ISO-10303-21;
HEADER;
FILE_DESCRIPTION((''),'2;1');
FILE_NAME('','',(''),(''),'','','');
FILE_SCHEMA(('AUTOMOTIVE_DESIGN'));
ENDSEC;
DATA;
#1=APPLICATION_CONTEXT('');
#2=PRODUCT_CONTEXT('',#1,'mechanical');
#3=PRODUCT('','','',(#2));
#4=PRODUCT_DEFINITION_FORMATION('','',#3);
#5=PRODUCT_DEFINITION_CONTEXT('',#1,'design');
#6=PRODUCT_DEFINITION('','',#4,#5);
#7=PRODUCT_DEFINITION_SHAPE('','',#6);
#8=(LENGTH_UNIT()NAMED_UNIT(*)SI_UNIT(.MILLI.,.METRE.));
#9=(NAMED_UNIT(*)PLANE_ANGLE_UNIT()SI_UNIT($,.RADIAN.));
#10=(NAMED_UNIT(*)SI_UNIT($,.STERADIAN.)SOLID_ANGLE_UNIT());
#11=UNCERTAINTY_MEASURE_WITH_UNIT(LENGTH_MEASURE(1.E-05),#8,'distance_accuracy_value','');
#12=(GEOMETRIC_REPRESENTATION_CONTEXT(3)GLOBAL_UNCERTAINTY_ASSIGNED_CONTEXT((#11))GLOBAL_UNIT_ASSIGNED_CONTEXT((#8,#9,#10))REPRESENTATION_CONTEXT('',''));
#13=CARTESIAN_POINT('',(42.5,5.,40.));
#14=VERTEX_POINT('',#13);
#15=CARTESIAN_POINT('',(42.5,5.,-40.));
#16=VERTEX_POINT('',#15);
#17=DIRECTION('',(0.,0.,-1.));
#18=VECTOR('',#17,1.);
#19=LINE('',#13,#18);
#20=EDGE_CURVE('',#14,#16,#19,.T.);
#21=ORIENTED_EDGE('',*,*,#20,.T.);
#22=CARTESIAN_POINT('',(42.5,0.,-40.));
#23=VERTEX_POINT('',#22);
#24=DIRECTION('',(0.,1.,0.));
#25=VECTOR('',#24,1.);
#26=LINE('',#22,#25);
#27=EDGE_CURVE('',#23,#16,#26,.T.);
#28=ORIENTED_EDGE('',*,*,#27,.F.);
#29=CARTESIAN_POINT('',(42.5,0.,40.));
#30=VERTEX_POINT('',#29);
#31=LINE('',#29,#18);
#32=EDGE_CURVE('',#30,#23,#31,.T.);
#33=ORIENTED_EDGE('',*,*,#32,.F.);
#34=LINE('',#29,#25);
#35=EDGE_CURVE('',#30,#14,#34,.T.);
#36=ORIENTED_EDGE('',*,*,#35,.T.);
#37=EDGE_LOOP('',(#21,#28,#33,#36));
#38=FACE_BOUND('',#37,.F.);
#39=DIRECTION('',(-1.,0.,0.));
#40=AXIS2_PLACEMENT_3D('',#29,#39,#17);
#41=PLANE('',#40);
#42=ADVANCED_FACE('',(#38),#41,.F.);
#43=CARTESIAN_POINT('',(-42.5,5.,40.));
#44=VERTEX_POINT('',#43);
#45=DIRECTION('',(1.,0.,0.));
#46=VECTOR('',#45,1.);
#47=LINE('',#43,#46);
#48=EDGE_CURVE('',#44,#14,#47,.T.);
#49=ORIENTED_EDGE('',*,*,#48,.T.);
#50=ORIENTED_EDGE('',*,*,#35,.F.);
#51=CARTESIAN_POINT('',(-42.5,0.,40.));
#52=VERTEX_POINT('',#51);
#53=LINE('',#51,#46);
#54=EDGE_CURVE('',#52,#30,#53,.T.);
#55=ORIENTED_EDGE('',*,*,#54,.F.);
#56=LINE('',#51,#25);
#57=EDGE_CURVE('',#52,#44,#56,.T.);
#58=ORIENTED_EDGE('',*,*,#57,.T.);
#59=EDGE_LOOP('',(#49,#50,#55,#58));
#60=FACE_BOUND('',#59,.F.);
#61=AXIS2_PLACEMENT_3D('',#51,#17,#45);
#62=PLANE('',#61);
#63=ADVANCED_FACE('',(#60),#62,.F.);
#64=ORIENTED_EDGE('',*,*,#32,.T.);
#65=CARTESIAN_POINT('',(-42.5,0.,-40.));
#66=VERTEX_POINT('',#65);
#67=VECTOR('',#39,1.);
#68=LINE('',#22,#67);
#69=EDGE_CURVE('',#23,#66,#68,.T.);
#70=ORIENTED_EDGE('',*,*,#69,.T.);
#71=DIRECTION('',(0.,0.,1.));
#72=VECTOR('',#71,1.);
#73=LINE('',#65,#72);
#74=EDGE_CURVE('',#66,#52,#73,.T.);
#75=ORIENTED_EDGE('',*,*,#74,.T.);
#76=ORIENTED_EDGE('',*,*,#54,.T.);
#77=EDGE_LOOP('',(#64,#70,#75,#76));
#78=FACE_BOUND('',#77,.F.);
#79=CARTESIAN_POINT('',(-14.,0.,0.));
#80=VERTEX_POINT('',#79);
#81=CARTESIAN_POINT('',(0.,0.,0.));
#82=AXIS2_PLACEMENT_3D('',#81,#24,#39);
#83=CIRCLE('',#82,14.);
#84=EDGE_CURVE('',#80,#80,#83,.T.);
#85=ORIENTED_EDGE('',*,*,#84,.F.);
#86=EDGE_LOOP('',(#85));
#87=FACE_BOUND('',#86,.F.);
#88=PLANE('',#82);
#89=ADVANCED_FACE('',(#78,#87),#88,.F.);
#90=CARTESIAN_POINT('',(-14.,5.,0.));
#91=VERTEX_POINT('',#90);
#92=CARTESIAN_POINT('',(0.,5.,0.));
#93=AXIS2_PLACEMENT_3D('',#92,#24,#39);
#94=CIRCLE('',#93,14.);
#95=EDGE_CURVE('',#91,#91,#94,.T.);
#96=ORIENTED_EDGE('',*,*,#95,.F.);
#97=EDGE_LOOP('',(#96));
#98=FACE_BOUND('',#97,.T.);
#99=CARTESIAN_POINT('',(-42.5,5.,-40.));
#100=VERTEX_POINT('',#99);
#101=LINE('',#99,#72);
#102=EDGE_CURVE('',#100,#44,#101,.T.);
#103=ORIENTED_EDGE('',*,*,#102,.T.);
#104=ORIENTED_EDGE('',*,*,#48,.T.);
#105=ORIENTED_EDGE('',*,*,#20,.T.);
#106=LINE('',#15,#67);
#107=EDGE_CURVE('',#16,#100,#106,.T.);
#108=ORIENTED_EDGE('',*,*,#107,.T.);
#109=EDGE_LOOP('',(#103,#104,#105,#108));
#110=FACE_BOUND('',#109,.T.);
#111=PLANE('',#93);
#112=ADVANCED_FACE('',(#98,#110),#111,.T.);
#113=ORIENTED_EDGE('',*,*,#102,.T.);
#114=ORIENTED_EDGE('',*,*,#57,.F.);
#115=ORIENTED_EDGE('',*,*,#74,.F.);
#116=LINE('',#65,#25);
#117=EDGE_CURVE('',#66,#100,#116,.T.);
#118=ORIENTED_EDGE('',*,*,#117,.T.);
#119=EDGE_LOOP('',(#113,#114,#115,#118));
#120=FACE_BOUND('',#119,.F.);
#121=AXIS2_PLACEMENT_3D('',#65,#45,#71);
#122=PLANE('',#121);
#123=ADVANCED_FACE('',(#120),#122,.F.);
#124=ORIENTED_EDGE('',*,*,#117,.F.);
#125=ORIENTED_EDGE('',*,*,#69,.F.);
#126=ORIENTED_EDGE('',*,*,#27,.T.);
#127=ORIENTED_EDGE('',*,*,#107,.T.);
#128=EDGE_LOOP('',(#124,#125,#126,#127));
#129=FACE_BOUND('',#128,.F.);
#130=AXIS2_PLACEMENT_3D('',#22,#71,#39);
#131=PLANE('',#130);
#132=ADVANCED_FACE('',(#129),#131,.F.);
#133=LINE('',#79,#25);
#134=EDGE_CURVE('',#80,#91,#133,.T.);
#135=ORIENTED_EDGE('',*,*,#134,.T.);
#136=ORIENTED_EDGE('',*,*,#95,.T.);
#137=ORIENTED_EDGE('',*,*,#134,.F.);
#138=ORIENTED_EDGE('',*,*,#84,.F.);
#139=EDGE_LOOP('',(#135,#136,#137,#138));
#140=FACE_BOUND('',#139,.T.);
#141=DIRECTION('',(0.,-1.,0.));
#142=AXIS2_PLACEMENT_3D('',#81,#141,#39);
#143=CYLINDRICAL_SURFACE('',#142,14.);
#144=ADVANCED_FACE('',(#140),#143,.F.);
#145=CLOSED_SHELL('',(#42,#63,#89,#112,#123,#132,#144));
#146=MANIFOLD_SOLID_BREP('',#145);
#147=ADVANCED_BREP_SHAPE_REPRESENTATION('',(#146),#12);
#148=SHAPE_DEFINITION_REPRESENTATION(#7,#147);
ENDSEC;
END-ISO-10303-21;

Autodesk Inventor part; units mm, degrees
ref_plane "YZ Plane" through (0, 0, 0) normal (1, 0, 0) x (0, 1, 0)
ref_plane "XZ Plane" through (0, 0, 0) normal (0, 1, 0) x (-1, 0, 0)
ref_plane "XY Plane" through (0, 0, 0) normal (0, 0, 1) x (1, 0, 0)
sketch "Sketch1" plane through (0, 0, 0) normal (0, 1, 0) x (-1, 0, 0)
  line L0 (-42.5, -40) -> (42.5, -40)
  line L1 (42.5, -40) -> (42.5, 40)
  line L2 (42.5, 40) -> (-42.5, 40)
  line L3 (-42.5, 40) -> (-42.5, -40)
  line L4 (-42.5, -40) -> (42.5, 40) construction
  line L5 (42.5, -40) -> (-42.5, 40) construction
  circle A0 centre (0, 0) radius 14
  dimension "d0" = 85
  dimension "d1" = 80
  dimension "d4" = 28
extrude "Extrusion1" add sketch "Sketch1" along normal blind 5
properties part number "segment0b" material "Plywood, Finish"
